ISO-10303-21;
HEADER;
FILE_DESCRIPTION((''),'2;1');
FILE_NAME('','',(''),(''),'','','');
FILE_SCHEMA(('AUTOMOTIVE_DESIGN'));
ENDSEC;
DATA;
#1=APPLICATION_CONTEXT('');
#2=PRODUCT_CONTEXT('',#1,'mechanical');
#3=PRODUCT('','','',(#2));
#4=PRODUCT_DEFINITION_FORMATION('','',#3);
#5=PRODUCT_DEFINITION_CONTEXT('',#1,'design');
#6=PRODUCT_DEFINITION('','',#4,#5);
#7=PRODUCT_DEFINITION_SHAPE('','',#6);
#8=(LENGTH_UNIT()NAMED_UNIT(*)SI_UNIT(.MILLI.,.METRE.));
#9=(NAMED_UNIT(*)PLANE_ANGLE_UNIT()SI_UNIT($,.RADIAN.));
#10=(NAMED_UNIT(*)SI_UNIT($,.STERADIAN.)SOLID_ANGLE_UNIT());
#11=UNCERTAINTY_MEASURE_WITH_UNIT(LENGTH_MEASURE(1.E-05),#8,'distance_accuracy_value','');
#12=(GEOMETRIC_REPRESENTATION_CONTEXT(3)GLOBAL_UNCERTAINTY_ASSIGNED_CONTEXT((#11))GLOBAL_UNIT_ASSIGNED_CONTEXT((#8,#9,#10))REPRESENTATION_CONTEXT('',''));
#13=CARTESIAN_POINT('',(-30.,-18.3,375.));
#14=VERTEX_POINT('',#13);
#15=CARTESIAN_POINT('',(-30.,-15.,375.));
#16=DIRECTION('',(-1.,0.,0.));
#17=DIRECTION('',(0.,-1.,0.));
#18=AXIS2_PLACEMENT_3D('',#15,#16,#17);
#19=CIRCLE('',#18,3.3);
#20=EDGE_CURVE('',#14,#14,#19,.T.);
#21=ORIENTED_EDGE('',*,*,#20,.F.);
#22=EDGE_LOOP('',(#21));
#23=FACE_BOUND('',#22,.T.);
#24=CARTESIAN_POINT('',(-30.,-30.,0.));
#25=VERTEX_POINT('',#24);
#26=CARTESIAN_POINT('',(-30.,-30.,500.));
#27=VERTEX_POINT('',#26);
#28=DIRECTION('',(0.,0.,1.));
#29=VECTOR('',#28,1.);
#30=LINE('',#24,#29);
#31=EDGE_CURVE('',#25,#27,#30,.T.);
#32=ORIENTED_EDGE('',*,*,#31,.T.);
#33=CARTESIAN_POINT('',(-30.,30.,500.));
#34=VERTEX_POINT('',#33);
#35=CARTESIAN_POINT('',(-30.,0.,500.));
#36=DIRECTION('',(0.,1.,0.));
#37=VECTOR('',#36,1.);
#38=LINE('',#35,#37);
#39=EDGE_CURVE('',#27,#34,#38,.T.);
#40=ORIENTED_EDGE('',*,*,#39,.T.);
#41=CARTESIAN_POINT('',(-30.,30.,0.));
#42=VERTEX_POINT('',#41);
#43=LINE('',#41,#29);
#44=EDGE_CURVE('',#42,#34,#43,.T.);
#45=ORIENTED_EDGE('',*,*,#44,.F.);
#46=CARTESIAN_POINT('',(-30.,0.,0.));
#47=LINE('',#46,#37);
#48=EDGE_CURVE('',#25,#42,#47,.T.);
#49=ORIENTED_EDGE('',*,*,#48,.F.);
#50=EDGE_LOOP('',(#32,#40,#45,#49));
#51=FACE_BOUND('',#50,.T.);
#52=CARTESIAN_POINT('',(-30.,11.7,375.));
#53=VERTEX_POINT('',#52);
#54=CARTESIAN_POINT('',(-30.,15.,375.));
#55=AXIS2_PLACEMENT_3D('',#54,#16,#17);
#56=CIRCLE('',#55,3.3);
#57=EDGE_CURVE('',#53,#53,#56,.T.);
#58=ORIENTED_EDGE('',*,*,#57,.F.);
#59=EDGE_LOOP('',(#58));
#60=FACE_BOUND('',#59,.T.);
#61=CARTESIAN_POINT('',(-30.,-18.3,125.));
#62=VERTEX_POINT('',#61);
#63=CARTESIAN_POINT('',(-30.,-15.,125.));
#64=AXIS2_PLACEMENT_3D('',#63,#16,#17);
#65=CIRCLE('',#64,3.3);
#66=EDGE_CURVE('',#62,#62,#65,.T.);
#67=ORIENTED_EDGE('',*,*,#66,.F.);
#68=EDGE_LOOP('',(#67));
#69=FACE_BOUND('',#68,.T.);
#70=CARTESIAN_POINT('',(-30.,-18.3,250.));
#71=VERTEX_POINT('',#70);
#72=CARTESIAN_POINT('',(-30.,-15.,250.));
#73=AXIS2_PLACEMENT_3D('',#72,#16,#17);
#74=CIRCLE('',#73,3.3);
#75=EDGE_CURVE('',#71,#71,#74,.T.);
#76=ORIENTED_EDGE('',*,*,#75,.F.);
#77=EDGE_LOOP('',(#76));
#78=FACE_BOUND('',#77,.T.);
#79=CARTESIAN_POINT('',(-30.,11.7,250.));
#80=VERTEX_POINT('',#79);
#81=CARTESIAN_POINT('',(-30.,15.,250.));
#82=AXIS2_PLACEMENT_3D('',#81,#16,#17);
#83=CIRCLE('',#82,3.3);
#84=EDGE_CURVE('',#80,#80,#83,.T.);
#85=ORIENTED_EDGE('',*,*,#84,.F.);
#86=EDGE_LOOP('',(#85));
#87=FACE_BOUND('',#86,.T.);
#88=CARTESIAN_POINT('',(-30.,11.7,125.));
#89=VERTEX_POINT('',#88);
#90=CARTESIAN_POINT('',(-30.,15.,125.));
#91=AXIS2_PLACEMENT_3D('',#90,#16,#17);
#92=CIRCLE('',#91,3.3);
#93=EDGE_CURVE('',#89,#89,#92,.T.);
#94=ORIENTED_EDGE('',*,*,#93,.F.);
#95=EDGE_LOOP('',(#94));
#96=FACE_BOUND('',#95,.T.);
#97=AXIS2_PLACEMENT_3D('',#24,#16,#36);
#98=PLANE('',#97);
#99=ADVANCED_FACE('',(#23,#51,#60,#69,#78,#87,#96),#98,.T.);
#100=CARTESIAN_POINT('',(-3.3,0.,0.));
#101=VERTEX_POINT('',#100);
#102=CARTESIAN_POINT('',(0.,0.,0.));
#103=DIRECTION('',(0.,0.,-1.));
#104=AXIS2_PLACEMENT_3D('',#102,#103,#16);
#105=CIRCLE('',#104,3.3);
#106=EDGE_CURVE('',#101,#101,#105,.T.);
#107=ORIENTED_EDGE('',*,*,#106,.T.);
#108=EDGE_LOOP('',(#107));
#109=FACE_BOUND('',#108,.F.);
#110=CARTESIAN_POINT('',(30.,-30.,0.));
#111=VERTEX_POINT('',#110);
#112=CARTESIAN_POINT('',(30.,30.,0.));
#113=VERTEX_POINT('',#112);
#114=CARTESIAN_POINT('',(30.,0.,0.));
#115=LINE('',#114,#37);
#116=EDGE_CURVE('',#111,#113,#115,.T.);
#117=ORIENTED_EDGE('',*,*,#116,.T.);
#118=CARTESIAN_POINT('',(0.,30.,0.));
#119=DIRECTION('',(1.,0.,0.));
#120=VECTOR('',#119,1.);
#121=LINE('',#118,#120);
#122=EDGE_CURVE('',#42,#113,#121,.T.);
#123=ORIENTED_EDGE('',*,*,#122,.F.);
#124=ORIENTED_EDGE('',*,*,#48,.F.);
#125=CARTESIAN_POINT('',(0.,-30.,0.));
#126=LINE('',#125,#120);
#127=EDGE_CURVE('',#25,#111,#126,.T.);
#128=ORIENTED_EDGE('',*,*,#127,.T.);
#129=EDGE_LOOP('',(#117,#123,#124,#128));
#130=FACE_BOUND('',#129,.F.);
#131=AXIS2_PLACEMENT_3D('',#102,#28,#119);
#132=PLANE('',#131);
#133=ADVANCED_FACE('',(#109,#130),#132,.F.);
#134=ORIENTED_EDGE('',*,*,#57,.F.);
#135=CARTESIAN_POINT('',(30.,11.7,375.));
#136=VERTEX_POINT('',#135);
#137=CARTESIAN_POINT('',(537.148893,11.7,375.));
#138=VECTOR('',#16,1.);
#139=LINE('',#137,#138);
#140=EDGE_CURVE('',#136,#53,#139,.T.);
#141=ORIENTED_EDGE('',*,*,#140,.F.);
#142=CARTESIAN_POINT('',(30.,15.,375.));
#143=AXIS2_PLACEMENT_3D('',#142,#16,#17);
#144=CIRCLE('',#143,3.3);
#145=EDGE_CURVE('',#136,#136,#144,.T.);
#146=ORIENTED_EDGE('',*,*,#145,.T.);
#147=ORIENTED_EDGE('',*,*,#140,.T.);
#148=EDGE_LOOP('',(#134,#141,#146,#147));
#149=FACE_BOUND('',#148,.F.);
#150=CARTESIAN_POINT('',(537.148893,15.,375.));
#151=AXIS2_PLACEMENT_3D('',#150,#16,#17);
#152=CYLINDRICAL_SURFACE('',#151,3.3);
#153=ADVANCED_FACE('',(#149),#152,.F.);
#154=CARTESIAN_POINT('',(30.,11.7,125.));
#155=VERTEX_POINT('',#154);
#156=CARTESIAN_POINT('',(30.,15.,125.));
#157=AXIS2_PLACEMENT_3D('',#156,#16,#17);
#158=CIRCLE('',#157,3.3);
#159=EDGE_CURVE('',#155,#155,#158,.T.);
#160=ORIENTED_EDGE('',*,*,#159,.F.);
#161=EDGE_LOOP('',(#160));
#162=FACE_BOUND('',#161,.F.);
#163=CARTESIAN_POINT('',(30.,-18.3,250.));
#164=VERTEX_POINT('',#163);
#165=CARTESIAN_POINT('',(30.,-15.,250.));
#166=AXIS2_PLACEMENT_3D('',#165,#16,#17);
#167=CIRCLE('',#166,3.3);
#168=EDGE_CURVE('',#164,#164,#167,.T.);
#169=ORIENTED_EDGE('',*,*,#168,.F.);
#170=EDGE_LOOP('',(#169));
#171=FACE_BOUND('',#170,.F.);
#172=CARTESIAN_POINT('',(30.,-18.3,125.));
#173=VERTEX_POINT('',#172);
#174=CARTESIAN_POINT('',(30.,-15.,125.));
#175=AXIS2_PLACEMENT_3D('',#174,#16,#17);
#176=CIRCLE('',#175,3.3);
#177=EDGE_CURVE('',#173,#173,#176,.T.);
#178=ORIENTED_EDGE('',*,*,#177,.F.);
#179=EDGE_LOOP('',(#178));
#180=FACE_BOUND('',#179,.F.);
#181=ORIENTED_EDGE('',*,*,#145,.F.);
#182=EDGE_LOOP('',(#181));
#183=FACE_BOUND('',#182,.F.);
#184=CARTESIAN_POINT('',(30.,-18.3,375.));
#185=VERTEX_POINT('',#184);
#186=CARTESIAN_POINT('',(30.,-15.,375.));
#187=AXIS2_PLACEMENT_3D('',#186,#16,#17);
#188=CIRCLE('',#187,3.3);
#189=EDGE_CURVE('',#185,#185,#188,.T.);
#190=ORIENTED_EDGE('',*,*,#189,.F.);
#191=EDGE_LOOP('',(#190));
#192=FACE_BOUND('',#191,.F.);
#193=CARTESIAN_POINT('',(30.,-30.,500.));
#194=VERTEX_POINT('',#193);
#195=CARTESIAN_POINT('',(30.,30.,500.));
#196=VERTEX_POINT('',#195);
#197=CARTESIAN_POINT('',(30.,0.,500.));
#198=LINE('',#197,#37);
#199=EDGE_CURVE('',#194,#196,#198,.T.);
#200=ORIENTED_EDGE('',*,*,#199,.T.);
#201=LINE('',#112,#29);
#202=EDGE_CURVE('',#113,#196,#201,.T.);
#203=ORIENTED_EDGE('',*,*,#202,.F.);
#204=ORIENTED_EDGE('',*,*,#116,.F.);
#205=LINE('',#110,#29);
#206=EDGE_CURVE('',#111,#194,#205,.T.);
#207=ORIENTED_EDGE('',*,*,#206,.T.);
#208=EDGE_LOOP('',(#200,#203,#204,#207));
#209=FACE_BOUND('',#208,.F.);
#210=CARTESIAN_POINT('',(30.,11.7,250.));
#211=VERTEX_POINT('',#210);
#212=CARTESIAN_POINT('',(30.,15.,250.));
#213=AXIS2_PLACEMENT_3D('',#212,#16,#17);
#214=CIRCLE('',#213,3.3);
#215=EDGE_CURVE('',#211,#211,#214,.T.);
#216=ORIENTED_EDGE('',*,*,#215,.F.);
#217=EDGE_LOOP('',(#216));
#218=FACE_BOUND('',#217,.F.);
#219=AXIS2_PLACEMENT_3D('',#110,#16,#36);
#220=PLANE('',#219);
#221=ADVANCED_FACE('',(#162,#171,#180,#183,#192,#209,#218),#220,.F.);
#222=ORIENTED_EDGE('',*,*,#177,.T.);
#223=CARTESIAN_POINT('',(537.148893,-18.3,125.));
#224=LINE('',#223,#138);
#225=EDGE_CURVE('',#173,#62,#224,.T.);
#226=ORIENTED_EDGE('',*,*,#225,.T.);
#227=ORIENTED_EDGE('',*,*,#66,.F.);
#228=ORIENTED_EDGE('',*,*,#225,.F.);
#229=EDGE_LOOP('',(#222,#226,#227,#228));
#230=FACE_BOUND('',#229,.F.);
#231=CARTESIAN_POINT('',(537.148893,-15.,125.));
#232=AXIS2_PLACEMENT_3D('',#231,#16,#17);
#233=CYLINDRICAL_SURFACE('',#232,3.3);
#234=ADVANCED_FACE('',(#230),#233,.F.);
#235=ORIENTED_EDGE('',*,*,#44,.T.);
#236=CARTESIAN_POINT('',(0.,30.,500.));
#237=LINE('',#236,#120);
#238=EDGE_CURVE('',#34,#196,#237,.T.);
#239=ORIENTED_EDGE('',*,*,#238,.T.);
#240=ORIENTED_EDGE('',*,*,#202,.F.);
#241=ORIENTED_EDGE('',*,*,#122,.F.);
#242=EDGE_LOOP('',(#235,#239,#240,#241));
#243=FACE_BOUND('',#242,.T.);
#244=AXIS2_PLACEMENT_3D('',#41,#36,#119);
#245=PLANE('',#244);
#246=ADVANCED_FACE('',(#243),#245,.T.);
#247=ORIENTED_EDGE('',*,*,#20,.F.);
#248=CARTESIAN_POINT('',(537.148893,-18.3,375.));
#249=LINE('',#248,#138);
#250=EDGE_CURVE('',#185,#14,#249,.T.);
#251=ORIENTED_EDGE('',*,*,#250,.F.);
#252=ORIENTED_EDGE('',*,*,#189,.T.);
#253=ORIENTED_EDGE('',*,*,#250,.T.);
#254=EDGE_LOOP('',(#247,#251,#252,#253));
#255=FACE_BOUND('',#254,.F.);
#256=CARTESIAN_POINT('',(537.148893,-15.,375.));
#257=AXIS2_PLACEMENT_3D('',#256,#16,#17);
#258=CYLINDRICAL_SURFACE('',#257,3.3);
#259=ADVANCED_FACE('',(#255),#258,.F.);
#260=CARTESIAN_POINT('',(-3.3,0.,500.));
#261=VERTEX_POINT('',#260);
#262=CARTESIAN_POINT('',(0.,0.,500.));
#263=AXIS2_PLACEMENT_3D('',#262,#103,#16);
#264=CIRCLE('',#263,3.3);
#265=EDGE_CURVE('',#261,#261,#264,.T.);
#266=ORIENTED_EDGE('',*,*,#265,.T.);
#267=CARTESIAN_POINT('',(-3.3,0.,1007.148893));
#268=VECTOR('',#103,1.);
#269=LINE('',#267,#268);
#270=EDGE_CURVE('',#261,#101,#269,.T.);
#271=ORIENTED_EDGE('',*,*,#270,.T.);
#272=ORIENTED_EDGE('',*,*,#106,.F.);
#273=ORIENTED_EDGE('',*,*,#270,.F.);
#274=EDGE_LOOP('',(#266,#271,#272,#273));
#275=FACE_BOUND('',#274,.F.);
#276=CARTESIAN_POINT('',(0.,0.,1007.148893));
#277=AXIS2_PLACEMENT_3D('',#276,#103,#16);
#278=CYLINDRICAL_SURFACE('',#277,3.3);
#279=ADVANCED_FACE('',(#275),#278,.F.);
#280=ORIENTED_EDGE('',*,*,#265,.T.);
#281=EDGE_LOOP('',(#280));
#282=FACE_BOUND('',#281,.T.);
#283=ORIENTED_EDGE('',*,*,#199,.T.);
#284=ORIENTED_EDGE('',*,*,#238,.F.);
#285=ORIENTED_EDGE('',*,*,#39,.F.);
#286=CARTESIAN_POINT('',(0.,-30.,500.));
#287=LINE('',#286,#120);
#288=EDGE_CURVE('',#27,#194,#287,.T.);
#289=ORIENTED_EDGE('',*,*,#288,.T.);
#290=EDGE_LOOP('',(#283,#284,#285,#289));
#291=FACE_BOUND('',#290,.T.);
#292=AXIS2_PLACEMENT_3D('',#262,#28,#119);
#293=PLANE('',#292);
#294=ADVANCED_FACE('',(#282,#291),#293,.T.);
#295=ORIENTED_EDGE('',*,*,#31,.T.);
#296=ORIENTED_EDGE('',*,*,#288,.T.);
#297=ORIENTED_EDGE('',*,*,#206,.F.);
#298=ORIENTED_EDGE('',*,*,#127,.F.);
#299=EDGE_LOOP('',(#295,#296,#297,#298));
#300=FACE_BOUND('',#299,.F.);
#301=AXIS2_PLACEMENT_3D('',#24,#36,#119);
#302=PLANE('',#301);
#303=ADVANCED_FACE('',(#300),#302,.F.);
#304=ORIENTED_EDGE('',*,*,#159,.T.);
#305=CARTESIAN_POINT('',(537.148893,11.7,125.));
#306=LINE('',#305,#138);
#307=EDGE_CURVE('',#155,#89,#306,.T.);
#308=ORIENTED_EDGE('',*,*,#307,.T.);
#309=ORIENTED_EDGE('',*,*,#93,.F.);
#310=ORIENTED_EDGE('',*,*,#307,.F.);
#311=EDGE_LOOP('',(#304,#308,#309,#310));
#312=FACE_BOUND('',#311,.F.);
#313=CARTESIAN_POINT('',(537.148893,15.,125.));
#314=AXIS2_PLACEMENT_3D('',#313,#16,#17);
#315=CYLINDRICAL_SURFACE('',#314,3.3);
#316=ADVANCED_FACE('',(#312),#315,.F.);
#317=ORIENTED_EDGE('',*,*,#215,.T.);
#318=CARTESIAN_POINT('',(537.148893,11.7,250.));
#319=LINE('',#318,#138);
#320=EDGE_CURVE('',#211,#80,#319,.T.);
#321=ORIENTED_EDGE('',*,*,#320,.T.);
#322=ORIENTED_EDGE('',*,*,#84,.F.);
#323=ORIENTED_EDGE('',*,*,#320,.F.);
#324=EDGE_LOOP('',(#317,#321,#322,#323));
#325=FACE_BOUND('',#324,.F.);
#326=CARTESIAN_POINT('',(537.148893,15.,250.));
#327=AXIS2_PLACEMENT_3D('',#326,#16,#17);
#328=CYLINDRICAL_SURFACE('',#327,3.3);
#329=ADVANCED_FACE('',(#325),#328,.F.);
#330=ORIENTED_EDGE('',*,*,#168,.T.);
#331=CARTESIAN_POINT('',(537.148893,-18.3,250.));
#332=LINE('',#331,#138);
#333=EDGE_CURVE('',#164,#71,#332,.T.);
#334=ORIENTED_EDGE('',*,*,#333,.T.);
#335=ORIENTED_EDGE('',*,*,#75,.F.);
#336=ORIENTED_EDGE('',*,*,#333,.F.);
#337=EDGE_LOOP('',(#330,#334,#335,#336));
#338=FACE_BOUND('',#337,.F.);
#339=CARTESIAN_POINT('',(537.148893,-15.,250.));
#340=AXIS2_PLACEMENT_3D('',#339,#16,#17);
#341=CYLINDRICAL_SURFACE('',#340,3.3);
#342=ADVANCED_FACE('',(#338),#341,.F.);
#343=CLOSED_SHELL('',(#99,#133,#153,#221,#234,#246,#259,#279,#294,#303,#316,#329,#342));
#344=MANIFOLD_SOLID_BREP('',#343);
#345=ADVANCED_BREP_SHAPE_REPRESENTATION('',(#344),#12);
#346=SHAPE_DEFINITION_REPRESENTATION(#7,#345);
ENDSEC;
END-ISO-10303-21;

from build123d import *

# Parameters (mm, degrees)
F0_W     = 60
F0_H     = 60
F1_DEPTH = 500
F3_D     = 6.6
F5_D     = 6.6


with BuildPart() as f1:
    # F0 (on Top) → F1 (new body)
    with BuildSketch(Plane.XY):
        Rectangle(F0_W, F0_H)
    extrude(amount=F1_DEPTH)

    # F3 (through all)
    with Locations(Plane.XY.offset(500)):
        with Locations((0, 0)):
            Hole(F3_D / 2)

    # F5 (through all)
    with Locations(Plane.YZ.offset(30)):
        with Locations((-15, 375), (15, 375), (15, 250), (15, 125), (-15, 125), (-15, 250)):
            Hole(F5_D / 2)


solid = f1.part
